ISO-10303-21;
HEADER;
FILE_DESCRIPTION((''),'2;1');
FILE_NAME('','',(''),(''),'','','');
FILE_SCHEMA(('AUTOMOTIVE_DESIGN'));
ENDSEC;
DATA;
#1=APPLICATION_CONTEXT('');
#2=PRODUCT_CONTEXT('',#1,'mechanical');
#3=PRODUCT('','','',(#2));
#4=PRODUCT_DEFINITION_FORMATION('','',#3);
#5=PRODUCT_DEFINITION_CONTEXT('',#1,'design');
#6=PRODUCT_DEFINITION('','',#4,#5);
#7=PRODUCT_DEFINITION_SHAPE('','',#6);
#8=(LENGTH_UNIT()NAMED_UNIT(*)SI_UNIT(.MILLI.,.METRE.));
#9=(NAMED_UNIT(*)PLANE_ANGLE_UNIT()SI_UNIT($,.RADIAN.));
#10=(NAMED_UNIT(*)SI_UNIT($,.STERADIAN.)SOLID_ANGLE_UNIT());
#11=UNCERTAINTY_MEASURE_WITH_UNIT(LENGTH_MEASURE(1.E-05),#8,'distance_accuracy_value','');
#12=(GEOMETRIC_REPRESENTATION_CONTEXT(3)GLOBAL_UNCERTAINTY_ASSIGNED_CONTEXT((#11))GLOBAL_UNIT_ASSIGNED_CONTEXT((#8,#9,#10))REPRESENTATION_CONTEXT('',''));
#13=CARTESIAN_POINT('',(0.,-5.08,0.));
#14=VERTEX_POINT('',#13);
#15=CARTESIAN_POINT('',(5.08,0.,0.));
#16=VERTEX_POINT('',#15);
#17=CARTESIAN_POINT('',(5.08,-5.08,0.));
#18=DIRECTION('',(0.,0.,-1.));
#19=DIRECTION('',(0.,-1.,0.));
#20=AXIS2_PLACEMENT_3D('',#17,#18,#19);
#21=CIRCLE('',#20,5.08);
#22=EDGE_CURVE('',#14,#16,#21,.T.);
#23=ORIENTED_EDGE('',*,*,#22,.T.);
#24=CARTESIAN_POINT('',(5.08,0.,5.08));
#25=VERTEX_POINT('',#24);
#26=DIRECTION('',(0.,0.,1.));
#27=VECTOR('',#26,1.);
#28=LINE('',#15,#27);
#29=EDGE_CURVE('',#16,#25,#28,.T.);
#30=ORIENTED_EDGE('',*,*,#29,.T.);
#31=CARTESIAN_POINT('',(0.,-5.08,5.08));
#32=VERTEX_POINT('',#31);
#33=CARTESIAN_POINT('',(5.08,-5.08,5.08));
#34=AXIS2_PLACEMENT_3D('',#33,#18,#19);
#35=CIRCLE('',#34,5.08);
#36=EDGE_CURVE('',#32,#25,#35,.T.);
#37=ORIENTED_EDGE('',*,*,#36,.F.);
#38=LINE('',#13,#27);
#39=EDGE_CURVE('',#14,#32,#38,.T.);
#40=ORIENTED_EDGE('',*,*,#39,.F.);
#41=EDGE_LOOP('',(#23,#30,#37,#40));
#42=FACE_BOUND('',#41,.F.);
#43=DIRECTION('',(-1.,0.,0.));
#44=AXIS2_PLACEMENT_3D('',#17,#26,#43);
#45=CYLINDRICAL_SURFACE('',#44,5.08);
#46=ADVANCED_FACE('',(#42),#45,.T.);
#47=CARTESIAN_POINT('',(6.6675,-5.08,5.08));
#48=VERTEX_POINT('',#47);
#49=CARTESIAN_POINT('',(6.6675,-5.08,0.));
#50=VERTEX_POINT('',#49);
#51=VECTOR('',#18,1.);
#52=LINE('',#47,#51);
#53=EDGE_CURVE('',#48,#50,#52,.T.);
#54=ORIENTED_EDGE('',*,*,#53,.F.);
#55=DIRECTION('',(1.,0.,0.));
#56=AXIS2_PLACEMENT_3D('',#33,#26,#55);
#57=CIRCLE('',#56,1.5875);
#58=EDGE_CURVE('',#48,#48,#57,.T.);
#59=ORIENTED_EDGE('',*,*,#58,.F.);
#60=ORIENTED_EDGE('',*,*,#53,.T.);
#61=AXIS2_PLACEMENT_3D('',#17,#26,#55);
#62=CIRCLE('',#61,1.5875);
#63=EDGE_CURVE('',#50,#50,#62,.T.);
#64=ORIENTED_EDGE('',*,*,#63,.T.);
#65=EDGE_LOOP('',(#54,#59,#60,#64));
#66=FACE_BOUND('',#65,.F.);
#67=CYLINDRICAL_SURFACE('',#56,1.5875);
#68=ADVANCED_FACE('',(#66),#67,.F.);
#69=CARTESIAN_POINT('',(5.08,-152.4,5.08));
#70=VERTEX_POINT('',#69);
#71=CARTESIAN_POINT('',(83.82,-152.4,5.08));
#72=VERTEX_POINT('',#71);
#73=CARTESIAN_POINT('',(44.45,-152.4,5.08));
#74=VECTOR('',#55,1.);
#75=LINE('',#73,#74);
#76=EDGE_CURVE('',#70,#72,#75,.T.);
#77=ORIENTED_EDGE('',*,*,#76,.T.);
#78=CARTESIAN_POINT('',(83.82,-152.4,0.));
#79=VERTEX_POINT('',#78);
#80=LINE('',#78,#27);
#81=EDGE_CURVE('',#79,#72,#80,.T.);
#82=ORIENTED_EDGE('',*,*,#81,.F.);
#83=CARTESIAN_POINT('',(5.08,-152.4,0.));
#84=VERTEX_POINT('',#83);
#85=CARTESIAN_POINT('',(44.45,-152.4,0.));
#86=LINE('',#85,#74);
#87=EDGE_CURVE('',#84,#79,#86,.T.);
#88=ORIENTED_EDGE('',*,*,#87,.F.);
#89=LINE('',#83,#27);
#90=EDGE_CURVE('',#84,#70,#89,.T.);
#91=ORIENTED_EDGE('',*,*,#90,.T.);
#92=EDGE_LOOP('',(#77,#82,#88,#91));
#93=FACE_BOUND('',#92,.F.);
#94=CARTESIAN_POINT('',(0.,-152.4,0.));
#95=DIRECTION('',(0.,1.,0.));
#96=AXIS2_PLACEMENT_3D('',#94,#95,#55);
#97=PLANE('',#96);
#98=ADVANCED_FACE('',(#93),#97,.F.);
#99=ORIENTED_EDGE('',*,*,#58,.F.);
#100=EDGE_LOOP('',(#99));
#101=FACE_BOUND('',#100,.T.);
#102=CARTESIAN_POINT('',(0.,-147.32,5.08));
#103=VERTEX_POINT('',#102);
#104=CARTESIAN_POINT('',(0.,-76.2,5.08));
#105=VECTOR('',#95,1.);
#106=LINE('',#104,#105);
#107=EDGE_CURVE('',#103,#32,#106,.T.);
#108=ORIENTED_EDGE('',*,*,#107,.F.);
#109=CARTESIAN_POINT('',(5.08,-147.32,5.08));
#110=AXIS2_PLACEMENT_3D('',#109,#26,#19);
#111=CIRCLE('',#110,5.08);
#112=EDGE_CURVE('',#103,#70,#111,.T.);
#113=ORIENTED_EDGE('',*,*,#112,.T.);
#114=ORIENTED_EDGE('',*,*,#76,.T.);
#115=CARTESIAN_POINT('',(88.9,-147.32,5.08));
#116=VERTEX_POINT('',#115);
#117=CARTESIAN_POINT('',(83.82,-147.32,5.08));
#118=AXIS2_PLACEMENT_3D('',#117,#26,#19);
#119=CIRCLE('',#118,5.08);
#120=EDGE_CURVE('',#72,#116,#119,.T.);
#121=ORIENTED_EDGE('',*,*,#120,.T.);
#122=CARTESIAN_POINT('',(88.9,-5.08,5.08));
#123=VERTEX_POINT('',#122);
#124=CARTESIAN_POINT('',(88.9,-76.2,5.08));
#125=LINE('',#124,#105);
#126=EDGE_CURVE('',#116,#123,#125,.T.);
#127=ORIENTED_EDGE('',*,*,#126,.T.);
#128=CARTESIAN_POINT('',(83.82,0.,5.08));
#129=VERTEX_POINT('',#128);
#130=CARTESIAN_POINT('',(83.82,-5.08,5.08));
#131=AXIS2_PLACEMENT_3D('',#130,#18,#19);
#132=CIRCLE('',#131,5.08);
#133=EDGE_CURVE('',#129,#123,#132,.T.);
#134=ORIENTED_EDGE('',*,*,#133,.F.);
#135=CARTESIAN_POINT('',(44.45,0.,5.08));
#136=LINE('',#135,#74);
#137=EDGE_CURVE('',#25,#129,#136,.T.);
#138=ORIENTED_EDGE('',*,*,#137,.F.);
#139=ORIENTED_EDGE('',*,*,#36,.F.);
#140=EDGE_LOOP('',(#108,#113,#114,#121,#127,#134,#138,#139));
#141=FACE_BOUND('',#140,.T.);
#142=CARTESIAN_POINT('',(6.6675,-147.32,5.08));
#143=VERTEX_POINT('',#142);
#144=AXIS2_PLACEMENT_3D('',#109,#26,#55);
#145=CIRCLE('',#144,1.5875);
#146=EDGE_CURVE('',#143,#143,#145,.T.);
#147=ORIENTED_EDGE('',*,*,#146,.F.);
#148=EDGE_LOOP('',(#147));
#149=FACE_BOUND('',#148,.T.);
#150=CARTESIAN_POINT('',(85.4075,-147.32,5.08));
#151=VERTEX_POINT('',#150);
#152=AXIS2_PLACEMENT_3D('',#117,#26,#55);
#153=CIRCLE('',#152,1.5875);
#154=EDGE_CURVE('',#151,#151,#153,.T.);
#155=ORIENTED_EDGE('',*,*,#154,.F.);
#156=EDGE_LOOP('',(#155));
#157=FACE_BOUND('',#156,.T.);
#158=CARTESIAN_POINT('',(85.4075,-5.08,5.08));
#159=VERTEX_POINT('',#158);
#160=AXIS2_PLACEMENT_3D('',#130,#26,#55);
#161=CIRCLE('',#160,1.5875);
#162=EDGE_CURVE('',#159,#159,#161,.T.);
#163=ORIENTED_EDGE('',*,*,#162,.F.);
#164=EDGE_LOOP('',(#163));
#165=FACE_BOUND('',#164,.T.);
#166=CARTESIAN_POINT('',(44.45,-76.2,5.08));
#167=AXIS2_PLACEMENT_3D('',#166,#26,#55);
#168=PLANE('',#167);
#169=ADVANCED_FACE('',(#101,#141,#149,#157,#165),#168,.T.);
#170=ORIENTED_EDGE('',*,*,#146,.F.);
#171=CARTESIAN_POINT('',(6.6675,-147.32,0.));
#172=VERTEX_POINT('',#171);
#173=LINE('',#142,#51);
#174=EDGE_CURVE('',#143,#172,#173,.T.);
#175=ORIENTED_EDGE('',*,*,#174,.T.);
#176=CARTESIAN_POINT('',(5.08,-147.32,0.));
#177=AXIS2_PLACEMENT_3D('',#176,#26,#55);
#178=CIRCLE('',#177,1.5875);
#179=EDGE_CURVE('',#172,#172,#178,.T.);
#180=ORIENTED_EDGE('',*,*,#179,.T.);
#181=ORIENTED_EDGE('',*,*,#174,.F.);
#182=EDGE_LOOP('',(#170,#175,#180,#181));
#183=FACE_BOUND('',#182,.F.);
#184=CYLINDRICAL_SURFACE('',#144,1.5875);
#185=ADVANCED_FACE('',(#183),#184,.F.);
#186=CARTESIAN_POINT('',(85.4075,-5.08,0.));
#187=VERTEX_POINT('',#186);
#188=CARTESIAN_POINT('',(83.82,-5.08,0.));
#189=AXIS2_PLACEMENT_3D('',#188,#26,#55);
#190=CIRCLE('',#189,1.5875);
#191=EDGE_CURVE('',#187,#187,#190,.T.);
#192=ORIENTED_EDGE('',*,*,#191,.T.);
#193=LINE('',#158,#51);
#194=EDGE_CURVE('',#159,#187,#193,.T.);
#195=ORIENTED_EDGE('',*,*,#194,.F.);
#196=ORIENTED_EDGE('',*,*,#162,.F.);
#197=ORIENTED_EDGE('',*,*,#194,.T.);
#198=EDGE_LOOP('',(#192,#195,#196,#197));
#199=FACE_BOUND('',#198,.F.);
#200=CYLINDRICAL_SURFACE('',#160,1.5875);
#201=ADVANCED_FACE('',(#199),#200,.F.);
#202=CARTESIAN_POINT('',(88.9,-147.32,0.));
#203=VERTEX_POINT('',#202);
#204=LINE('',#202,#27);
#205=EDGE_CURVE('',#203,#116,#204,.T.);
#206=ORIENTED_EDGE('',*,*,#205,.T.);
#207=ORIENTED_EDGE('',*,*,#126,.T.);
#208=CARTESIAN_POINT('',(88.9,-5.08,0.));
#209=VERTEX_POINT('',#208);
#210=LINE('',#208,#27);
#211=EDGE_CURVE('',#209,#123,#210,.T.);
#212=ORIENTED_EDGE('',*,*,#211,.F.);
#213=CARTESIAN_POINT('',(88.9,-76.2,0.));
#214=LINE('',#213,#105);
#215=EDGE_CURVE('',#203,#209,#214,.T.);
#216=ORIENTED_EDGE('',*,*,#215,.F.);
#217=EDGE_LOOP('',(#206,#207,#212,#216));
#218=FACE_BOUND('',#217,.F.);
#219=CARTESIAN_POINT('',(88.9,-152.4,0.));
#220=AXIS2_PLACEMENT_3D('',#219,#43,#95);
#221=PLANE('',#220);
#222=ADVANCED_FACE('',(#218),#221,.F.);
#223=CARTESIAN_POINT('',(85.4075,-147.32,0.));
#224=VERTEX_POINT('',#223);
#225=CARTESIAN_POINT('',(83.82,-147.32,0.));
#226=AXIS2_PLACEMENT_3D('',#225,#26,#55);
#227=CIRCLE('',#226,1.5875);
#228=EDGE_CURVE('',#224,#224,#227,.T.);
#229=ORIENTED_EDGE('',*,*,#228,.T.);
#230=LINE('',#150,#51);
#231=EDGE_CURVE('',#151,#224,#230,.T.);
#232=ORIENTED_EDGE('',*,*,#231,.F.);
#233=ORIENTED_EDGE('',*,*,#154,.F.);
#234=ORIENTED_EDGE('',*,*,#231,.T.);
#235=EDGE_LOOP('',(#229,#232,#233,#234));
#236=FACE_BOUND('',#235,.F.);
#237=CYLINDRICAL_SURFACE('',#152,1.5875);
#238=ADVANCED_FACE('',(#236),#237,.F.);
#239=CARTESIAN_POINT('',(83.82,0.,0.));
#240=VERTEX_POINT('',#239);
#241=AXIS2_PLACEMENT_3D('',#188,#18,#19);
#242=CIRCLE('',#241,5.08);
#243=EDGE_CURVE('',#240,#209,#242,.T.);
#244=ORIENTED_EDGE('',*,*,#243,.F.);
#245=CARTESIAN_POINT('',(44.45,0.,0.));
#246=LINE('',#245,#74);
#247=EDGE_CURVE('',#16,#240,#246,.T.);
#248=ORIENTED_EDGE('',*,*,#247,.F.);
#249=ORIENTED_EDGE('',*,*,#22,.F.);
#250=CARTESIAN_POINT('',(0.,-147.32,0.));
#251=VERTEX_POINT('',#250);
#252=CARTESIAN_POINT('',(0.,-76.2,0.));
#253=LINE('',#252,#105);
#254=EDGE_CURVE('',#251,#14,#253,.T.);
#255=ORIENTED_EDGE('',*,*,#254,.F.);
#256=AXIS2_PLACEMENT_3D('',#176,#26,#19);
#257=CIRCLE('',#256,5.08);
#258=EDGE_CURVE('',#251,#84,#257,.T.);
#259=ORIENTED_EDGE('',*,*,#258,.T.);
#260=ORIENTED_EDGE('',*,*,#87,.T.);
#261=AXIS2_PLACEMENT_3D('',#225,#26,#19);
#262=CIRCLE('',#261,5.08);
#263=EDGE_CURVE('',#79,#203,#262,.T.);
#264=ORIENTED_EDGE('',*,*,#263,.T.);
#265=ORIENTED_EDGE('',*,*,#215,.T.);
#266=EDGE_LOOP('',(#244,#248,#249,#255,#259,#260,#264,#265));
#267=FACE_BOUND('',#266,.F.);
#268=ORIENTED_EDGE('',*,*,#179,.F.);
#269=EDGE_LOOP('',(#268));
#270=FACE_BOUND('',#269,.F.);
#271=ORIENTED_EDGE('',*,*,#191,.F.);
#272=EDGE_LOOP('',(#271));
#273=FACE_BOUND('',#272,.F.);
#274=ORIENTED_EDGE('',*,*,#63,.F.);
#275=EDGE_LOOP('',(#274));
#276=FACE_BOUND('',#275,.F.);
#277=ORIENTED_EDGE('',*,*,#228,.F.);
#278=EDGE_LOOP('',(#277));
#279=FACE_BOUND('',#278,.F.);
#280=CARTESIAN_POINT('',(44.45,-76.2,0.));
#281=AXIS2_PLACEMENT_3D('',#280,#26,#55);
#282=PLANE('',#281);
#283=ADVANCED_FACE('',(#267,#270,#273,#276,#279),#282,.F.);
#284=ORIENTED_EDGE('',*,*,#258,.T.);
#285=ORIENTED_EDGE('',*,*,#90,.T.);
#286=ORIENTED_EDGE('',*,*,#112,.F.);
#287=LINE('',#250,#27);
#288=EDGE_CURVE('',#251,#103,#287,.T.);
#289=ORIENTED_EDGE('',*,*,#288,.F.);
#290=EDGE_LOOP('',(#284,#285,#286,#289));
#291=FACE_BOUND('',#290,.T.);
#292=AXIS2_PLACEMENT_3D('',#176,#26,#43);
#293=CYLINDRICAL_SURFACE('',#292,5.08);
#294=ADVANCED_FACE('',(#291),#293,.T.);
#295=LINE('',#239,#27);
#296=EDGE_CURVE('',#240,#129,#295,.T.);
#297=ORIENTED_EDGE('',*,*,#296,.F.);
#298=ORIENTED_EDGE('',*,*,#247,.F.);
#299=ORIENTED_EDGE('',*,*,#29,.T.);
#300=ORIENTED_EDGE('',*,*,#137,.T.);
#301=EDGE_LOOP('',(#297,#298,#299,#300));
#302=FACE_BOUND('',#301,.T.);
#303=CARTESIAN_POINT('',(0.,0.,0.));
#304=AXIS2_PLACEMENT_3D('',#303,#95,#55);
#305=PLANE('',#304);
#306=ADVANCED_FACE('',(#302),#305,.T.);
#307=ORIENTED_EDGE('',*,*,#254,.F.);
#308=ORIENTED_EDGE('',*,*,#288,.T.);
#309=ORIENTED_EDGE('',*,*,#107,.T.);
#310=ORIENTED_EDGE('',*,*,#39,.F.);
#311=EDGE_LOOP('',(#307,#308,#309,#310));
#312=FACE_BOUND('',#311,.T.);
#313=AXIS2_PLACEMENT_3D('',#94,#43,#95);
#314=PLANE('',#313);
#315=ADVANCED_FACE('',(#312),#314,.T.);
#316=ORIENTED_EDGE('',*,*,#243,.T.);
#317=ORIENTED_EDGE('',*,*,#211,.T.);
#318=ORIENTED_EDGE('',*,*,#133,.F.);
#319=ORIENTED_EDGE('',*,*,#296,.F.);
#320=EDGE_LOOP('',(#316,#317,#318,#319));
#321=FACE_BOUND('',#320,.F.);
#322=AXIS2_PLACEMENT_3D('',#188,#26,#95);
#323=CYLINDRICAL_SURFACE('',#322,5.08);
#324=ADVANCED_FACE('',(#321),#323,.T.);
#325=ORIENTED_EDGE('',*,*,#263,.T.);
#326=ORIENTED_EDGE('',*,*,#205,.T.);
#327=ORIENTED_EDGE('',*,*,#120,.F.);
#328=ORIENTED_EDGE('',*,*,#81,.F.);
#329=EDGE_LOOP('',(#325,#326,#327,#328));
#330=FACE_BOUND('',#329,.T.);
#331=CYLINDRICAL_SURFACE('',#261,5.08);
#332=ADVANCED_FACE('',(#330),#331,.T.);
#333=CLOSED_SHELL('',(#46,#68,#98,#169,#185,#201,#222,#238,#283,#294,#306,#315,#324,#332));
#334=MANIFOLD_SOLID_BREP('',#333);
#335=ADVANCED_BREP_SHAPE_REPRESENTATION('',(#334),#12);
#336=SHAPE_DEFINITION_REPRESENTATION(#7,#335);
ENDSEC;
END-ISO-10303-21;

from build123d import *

# Parameters (mm, degrees)
F0_W     = 88.9
F0_H     = 152.4
F1_DEPTH = 5.08
F2_R     = 1.5875
F3_DEPTH = 25.4
F4_R     = 5.08


with BuildPart() as f1:
    # F0 (on Top) → F1 (new body)
    with BuildSketch(Plane.XY):
        with Locations((44.45, -76.2)):
            Rectangle(F0_W, F0_H)
    extrude(amount=F1_DEPTH)

    # F2 (on face) → F3 (cut)
    with BuildSketch(Plane.XY.offset(5.08)):
        with Locations((5.08, -5.08)):
            Circle(F2_R)
        with Locations((83.82, -5.08)):
            Circle(F2_R)
        with Locations((83.82, -147.32)):
            Circle(F2_R)
        with Locations((5.08, -147.32)):
            Circle(F2_R)
    extrude(amount=-F3_DEPTH, mode=Mode.SUBTRACT)

    # F4
    f4_edges = [f1.edges().sort_by_distance(p)[0] for p in [
        (0, -152.4, 2.54),
        (88.9, -152.4, 2.54),
        (88.9, 0, 2.54),
        (0, 0, 2.54),
    ]]
    fillet(f4_edges, radius=F4_R)


solid = f1.part
